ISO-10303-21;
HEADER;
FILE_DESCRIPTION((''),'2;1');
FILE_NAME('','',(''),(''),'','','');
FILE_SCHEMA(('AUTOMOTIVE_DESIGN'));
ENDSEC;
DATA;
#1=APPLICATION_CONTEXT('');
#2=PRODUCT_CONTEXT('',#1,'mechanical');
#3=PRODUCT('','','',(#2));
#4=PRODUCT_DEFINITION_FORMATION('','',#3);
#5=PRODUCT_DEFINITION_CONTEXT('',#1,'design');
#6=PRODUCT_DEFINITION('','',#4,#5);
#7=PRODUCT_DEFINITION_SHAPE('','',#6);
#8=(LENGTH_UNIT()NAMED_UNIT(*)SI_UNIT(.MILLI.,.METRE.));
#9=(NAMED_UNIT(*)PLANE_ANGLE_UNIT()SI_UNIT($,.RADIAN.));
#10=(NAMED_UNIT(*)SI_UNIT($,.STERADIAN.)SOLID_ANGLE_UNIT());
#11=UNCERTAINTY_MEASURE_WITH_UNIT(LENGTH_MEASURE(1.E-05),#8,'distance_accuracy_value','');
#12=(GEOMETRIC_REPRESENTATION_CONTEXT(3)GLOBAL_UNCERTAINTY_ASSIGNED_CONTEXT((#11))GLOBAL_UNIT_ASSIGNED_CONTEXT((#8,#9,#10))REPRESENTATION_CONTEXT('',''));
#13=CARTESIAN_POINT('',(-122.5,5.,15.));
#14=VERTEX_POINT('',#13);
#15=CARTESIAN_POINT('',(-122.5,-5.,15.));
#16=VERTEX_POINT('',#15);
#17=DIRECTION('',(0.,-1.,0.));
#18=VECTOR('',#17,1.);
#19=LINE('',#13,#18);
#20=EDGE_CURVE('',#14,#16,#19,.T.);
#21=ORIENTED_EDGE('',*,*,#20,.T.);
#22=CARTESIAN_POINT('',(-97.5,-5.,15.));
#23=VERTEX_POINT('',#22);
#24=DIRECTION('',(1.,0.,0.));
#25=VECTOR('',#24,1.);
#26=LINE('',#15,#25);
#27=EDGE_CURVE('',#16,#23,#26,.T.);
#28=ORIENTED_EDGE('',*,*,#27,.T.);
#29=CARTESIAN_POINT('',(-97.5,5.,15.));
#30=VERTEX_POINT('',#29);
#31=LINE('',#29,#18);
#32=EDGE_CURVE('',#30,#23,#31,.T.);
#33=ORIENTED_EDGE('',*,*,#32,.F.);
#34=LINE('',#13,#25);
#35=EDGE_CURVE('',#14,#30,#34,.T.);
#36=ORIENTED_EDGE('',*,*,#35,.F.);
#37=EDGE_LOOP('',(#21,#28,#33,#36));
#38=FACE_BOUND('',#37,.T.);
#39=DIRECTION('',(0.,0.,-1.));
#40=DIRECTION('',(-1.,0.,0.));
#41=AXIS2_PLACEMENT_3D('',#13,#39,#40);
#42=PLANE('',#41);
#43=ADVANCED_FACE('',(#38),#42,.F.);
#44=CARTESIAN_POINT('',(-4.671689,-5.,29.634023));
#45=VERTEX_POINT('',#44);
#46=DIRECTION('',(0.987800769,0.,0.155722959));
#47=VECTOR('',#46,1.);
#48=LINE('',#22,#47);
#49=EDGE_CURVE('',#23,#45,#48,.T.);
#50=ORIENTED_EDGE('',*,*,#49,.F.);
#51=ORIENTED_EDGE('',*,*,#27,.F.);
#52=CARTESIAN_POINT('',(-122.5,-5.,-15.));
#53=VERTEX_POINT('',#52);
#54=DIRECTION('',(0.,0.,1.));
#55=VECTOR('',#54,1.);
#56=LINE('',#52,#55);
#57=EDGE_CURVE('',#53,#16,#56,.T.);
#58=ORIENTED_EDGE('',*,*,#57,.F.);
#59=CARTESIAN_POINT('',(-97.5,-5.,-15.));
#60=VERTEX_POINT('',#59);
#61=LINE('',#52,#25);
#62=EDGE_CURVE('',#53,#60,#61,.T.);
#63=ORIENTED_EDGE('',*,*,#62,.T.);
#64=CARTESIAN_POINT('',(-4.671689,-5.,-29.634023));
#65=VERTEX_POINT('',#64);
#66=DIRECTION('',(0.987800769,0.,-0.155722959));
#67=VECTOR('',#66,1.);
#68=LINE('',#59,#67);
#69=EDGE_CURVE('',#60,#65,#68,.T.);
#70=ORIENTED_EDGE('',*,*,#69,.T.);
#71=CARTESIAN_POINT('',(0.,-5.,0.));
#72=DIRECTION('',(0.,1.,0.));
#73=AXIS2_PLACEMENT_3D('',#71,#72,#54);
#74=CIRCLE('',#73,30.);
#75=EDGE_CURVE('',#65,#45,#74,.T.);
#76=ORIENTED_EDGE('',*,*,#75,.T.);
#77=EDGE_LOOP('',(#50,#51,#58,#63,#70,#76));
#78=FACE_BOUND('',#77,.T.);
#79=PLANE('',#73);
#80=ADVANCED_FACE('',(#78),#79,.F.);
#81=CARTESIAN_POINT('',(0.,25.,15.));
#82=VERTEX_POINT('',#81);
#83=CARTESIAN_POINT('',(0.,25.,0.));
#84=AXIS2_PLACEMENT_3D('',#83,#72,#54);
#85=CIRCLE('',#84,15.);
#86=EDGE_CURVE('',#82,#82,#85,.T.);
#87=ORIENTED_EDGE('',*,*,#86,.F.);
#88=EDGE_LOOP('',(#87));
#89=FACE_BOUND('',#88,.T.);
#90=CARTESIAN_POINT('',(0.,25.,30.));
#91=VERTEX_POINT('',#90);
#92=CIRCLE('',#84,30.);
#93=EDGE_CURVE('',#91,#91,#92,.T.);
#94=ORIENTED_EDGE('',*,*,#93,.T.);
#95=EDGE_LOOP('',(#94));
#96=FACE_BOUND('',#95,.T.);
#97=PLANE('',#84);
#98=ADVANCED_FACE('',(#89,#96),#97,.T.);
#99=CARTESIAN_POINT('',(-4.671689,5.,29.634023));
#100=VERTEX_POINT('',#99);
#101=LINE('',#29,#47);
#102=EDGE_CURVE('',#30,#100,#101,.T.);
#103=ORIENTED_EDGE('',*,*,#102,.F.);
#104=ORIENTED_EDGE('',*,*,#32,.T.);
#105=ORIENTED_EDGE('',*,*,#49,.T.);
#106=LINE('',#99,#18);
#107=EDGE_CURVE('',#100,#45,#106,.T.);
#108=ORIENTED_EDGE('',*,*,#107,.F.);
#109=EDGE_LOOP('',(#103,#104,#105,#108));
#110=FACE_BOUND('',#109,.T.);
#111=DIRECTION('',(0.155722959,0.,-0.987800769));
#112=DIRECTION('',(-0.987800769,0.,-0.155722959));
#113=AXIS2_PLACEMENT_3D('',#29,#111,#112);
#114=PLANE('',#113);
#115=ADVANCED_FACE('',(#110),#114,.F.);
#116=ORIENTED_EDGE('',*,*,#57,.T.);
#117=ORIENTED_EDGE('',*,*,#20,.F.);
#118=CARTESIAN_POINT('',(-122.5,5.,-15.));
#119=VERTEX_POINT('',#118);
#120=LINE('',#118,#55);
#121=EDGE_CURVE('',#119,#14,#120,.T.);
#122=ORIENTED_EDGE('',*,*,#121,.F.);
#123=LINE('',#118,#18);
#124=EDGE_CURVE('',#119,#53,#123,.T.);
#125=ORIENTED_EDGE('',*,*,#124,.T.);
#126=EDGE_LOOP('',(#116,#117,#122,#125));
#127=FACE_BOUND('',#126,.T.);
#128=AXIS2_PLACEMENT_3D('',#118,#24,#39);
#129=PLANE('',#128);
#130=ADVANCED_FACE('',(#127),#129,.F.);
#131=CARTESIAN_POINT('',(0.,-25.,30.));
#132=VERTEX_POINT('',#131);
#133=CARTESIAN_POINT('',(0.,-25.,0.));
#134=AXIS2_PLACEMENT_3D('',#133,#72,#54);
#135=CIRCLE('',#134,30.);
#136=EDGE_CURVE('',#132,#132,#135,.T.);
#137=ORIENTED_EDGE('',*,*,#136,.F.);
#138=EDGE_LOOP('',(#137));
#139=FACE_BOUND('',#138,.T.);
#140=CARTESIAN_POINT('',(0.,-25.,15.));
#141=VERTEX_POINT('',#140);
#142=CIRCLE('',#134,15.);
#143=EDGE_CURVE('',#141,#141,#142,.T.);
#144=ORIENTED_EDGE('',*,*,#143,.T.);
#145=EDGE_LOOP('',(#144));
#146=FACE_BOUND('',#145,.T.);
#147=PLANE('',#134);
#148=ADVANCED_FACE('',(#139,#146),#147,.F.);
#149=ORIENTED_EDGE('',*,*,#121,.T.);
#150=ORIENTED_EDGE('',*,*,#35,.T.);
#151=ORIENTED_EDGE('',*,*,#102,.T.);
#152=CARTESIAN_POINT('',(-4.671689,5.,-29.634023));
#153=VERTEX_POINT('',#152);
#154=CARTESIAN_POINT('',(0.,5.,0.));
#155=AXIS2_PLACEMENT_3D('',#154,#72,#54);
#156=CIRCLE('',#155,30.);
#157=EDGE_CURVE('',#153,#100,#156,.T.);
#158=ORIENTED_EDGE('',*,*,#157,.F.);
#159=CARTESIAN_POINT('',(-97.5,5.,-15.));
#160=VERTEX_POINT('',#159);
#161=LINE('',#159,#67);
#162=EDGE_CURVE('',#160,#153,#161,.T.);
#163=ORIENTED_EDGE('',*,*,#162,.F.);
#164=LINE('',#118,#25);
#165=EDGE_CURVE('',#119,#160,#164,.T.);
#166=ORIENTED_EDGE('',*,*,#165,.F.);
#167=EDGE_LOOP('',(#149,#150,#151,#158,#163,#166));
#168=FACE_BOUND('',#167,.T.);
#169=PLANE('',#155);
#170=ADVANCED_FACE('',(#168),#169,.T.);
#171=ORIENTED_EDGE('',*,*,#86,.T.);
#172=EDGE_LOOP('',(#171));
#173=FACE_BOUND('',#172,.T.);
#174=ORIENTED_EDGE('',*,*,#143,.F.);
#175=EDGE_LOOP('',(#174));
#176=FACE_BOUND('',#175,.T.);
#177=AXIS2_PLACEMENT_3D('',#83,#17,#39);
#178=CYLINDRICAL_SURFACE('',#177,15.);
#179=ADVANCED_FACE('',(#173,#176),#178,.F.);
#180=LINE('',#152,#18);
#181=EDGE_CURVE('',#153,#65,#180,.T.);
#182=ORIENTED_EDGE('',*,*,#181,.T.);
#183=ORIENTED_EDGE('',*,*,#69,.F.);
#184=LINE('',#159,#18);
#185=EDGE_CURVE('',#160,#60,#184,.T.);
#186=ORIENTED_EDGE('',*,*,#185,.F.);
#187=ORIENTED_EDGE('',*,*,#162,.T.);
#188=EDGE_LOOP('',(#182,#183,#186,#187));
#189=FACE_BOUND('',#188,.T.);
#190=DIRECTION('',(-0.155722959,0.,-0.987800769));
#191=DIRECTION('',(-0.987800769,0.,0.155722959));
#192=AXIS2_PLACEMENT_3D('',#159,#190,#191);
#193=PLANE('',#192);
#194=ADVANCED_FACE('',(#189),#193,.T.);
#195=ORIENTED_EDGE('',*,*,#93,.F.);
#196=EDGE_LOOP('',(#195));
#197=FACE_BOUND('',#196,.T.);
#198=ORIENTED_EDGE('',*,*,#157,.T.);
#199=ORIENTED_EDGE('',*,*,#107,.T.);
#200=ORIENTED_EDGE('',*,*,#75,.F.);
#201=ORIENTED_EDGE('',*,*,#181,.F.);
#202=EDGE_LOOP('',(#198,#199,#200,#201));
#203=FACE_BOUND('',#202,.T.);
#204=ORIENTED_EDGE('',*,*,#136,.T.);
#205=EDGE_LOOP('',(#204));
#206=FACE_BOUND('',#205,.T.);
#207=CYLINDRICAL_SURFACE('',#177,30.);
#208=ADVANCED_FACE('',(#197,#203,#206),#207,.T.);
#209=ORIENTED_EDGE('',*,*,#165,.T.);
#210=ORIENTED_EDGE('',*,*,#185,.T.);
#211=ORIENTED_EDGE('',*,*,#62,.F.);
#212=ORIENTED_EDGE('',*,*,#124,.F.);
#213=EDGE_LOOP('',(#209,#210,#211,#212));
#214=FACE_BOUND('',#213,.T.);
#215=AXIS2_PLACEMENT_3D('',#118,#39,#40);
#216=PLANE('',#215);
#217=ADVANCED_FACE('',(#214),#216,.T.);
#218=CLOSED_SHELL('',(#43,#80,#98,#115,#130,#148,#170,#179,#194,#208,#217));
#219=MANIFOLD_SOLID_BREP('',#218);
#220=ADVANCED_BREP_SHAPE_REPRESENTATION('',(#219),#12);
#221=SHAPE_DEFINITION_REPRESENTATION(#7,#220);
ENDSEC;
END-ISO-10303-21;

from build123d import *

# Parameters (mm, degrees)
SKETCH1_R           = 30
SKETCH1_R_2         = 15
BOSS_EXTRUDE1_DEPTH = 25
BOSS_EXTRUDE2_DEPTH = 5


with BuildPart() as part:
    # Sketch1 → Boss-Extrude1 (new body, symmetric)
    with BuildSketch(Plane(origin=(0, 0, 0), x_dir=(1, 0, 0), z_dir=(0, 1, 0))):
        with Locations(Location((0, 0, 0), (0, 0, 270))):  # turned: the seam where the file's is
            Circle(SKETCH1_R)
        with Locations(Location((0, 0, 0), (0, 0, 270))):  # turned: the seam where the file's is
            Circle(SKETCH1_R_2, mode=Mode.SUBTRACT)
    extrude(amount=BOSS_EXTRUDE1_DEPTH, both=True)

    # Sketch2 → Boss-Extrude2 (add, symmetric)
    with BuildSketch(Plane(origin=(0, 0, 0), x_dir=(1, 0, 0), z_dir=(0, 1, 0))):
        with BuildLine():
            Line((-122.5, 15), (-122.5, -15))
            Line((-122.5, -15), (-97.5, -15))
            Line((-97.5, -15), (-4.671688756, -29.634023084))
            ThreePointArc((-4.671688756, -29.634023084), (-30, 0), (-4.671688756, 29.634023084))
            Line((-4.671688756, 29.634023084), (-97.5, 15))
            Line((-97.5, 15), (-122.5, 15))
        make_face()
    extrude(amount=BOSS_EXTRUDE2_DEPTH, both=True)


solid = part.part
